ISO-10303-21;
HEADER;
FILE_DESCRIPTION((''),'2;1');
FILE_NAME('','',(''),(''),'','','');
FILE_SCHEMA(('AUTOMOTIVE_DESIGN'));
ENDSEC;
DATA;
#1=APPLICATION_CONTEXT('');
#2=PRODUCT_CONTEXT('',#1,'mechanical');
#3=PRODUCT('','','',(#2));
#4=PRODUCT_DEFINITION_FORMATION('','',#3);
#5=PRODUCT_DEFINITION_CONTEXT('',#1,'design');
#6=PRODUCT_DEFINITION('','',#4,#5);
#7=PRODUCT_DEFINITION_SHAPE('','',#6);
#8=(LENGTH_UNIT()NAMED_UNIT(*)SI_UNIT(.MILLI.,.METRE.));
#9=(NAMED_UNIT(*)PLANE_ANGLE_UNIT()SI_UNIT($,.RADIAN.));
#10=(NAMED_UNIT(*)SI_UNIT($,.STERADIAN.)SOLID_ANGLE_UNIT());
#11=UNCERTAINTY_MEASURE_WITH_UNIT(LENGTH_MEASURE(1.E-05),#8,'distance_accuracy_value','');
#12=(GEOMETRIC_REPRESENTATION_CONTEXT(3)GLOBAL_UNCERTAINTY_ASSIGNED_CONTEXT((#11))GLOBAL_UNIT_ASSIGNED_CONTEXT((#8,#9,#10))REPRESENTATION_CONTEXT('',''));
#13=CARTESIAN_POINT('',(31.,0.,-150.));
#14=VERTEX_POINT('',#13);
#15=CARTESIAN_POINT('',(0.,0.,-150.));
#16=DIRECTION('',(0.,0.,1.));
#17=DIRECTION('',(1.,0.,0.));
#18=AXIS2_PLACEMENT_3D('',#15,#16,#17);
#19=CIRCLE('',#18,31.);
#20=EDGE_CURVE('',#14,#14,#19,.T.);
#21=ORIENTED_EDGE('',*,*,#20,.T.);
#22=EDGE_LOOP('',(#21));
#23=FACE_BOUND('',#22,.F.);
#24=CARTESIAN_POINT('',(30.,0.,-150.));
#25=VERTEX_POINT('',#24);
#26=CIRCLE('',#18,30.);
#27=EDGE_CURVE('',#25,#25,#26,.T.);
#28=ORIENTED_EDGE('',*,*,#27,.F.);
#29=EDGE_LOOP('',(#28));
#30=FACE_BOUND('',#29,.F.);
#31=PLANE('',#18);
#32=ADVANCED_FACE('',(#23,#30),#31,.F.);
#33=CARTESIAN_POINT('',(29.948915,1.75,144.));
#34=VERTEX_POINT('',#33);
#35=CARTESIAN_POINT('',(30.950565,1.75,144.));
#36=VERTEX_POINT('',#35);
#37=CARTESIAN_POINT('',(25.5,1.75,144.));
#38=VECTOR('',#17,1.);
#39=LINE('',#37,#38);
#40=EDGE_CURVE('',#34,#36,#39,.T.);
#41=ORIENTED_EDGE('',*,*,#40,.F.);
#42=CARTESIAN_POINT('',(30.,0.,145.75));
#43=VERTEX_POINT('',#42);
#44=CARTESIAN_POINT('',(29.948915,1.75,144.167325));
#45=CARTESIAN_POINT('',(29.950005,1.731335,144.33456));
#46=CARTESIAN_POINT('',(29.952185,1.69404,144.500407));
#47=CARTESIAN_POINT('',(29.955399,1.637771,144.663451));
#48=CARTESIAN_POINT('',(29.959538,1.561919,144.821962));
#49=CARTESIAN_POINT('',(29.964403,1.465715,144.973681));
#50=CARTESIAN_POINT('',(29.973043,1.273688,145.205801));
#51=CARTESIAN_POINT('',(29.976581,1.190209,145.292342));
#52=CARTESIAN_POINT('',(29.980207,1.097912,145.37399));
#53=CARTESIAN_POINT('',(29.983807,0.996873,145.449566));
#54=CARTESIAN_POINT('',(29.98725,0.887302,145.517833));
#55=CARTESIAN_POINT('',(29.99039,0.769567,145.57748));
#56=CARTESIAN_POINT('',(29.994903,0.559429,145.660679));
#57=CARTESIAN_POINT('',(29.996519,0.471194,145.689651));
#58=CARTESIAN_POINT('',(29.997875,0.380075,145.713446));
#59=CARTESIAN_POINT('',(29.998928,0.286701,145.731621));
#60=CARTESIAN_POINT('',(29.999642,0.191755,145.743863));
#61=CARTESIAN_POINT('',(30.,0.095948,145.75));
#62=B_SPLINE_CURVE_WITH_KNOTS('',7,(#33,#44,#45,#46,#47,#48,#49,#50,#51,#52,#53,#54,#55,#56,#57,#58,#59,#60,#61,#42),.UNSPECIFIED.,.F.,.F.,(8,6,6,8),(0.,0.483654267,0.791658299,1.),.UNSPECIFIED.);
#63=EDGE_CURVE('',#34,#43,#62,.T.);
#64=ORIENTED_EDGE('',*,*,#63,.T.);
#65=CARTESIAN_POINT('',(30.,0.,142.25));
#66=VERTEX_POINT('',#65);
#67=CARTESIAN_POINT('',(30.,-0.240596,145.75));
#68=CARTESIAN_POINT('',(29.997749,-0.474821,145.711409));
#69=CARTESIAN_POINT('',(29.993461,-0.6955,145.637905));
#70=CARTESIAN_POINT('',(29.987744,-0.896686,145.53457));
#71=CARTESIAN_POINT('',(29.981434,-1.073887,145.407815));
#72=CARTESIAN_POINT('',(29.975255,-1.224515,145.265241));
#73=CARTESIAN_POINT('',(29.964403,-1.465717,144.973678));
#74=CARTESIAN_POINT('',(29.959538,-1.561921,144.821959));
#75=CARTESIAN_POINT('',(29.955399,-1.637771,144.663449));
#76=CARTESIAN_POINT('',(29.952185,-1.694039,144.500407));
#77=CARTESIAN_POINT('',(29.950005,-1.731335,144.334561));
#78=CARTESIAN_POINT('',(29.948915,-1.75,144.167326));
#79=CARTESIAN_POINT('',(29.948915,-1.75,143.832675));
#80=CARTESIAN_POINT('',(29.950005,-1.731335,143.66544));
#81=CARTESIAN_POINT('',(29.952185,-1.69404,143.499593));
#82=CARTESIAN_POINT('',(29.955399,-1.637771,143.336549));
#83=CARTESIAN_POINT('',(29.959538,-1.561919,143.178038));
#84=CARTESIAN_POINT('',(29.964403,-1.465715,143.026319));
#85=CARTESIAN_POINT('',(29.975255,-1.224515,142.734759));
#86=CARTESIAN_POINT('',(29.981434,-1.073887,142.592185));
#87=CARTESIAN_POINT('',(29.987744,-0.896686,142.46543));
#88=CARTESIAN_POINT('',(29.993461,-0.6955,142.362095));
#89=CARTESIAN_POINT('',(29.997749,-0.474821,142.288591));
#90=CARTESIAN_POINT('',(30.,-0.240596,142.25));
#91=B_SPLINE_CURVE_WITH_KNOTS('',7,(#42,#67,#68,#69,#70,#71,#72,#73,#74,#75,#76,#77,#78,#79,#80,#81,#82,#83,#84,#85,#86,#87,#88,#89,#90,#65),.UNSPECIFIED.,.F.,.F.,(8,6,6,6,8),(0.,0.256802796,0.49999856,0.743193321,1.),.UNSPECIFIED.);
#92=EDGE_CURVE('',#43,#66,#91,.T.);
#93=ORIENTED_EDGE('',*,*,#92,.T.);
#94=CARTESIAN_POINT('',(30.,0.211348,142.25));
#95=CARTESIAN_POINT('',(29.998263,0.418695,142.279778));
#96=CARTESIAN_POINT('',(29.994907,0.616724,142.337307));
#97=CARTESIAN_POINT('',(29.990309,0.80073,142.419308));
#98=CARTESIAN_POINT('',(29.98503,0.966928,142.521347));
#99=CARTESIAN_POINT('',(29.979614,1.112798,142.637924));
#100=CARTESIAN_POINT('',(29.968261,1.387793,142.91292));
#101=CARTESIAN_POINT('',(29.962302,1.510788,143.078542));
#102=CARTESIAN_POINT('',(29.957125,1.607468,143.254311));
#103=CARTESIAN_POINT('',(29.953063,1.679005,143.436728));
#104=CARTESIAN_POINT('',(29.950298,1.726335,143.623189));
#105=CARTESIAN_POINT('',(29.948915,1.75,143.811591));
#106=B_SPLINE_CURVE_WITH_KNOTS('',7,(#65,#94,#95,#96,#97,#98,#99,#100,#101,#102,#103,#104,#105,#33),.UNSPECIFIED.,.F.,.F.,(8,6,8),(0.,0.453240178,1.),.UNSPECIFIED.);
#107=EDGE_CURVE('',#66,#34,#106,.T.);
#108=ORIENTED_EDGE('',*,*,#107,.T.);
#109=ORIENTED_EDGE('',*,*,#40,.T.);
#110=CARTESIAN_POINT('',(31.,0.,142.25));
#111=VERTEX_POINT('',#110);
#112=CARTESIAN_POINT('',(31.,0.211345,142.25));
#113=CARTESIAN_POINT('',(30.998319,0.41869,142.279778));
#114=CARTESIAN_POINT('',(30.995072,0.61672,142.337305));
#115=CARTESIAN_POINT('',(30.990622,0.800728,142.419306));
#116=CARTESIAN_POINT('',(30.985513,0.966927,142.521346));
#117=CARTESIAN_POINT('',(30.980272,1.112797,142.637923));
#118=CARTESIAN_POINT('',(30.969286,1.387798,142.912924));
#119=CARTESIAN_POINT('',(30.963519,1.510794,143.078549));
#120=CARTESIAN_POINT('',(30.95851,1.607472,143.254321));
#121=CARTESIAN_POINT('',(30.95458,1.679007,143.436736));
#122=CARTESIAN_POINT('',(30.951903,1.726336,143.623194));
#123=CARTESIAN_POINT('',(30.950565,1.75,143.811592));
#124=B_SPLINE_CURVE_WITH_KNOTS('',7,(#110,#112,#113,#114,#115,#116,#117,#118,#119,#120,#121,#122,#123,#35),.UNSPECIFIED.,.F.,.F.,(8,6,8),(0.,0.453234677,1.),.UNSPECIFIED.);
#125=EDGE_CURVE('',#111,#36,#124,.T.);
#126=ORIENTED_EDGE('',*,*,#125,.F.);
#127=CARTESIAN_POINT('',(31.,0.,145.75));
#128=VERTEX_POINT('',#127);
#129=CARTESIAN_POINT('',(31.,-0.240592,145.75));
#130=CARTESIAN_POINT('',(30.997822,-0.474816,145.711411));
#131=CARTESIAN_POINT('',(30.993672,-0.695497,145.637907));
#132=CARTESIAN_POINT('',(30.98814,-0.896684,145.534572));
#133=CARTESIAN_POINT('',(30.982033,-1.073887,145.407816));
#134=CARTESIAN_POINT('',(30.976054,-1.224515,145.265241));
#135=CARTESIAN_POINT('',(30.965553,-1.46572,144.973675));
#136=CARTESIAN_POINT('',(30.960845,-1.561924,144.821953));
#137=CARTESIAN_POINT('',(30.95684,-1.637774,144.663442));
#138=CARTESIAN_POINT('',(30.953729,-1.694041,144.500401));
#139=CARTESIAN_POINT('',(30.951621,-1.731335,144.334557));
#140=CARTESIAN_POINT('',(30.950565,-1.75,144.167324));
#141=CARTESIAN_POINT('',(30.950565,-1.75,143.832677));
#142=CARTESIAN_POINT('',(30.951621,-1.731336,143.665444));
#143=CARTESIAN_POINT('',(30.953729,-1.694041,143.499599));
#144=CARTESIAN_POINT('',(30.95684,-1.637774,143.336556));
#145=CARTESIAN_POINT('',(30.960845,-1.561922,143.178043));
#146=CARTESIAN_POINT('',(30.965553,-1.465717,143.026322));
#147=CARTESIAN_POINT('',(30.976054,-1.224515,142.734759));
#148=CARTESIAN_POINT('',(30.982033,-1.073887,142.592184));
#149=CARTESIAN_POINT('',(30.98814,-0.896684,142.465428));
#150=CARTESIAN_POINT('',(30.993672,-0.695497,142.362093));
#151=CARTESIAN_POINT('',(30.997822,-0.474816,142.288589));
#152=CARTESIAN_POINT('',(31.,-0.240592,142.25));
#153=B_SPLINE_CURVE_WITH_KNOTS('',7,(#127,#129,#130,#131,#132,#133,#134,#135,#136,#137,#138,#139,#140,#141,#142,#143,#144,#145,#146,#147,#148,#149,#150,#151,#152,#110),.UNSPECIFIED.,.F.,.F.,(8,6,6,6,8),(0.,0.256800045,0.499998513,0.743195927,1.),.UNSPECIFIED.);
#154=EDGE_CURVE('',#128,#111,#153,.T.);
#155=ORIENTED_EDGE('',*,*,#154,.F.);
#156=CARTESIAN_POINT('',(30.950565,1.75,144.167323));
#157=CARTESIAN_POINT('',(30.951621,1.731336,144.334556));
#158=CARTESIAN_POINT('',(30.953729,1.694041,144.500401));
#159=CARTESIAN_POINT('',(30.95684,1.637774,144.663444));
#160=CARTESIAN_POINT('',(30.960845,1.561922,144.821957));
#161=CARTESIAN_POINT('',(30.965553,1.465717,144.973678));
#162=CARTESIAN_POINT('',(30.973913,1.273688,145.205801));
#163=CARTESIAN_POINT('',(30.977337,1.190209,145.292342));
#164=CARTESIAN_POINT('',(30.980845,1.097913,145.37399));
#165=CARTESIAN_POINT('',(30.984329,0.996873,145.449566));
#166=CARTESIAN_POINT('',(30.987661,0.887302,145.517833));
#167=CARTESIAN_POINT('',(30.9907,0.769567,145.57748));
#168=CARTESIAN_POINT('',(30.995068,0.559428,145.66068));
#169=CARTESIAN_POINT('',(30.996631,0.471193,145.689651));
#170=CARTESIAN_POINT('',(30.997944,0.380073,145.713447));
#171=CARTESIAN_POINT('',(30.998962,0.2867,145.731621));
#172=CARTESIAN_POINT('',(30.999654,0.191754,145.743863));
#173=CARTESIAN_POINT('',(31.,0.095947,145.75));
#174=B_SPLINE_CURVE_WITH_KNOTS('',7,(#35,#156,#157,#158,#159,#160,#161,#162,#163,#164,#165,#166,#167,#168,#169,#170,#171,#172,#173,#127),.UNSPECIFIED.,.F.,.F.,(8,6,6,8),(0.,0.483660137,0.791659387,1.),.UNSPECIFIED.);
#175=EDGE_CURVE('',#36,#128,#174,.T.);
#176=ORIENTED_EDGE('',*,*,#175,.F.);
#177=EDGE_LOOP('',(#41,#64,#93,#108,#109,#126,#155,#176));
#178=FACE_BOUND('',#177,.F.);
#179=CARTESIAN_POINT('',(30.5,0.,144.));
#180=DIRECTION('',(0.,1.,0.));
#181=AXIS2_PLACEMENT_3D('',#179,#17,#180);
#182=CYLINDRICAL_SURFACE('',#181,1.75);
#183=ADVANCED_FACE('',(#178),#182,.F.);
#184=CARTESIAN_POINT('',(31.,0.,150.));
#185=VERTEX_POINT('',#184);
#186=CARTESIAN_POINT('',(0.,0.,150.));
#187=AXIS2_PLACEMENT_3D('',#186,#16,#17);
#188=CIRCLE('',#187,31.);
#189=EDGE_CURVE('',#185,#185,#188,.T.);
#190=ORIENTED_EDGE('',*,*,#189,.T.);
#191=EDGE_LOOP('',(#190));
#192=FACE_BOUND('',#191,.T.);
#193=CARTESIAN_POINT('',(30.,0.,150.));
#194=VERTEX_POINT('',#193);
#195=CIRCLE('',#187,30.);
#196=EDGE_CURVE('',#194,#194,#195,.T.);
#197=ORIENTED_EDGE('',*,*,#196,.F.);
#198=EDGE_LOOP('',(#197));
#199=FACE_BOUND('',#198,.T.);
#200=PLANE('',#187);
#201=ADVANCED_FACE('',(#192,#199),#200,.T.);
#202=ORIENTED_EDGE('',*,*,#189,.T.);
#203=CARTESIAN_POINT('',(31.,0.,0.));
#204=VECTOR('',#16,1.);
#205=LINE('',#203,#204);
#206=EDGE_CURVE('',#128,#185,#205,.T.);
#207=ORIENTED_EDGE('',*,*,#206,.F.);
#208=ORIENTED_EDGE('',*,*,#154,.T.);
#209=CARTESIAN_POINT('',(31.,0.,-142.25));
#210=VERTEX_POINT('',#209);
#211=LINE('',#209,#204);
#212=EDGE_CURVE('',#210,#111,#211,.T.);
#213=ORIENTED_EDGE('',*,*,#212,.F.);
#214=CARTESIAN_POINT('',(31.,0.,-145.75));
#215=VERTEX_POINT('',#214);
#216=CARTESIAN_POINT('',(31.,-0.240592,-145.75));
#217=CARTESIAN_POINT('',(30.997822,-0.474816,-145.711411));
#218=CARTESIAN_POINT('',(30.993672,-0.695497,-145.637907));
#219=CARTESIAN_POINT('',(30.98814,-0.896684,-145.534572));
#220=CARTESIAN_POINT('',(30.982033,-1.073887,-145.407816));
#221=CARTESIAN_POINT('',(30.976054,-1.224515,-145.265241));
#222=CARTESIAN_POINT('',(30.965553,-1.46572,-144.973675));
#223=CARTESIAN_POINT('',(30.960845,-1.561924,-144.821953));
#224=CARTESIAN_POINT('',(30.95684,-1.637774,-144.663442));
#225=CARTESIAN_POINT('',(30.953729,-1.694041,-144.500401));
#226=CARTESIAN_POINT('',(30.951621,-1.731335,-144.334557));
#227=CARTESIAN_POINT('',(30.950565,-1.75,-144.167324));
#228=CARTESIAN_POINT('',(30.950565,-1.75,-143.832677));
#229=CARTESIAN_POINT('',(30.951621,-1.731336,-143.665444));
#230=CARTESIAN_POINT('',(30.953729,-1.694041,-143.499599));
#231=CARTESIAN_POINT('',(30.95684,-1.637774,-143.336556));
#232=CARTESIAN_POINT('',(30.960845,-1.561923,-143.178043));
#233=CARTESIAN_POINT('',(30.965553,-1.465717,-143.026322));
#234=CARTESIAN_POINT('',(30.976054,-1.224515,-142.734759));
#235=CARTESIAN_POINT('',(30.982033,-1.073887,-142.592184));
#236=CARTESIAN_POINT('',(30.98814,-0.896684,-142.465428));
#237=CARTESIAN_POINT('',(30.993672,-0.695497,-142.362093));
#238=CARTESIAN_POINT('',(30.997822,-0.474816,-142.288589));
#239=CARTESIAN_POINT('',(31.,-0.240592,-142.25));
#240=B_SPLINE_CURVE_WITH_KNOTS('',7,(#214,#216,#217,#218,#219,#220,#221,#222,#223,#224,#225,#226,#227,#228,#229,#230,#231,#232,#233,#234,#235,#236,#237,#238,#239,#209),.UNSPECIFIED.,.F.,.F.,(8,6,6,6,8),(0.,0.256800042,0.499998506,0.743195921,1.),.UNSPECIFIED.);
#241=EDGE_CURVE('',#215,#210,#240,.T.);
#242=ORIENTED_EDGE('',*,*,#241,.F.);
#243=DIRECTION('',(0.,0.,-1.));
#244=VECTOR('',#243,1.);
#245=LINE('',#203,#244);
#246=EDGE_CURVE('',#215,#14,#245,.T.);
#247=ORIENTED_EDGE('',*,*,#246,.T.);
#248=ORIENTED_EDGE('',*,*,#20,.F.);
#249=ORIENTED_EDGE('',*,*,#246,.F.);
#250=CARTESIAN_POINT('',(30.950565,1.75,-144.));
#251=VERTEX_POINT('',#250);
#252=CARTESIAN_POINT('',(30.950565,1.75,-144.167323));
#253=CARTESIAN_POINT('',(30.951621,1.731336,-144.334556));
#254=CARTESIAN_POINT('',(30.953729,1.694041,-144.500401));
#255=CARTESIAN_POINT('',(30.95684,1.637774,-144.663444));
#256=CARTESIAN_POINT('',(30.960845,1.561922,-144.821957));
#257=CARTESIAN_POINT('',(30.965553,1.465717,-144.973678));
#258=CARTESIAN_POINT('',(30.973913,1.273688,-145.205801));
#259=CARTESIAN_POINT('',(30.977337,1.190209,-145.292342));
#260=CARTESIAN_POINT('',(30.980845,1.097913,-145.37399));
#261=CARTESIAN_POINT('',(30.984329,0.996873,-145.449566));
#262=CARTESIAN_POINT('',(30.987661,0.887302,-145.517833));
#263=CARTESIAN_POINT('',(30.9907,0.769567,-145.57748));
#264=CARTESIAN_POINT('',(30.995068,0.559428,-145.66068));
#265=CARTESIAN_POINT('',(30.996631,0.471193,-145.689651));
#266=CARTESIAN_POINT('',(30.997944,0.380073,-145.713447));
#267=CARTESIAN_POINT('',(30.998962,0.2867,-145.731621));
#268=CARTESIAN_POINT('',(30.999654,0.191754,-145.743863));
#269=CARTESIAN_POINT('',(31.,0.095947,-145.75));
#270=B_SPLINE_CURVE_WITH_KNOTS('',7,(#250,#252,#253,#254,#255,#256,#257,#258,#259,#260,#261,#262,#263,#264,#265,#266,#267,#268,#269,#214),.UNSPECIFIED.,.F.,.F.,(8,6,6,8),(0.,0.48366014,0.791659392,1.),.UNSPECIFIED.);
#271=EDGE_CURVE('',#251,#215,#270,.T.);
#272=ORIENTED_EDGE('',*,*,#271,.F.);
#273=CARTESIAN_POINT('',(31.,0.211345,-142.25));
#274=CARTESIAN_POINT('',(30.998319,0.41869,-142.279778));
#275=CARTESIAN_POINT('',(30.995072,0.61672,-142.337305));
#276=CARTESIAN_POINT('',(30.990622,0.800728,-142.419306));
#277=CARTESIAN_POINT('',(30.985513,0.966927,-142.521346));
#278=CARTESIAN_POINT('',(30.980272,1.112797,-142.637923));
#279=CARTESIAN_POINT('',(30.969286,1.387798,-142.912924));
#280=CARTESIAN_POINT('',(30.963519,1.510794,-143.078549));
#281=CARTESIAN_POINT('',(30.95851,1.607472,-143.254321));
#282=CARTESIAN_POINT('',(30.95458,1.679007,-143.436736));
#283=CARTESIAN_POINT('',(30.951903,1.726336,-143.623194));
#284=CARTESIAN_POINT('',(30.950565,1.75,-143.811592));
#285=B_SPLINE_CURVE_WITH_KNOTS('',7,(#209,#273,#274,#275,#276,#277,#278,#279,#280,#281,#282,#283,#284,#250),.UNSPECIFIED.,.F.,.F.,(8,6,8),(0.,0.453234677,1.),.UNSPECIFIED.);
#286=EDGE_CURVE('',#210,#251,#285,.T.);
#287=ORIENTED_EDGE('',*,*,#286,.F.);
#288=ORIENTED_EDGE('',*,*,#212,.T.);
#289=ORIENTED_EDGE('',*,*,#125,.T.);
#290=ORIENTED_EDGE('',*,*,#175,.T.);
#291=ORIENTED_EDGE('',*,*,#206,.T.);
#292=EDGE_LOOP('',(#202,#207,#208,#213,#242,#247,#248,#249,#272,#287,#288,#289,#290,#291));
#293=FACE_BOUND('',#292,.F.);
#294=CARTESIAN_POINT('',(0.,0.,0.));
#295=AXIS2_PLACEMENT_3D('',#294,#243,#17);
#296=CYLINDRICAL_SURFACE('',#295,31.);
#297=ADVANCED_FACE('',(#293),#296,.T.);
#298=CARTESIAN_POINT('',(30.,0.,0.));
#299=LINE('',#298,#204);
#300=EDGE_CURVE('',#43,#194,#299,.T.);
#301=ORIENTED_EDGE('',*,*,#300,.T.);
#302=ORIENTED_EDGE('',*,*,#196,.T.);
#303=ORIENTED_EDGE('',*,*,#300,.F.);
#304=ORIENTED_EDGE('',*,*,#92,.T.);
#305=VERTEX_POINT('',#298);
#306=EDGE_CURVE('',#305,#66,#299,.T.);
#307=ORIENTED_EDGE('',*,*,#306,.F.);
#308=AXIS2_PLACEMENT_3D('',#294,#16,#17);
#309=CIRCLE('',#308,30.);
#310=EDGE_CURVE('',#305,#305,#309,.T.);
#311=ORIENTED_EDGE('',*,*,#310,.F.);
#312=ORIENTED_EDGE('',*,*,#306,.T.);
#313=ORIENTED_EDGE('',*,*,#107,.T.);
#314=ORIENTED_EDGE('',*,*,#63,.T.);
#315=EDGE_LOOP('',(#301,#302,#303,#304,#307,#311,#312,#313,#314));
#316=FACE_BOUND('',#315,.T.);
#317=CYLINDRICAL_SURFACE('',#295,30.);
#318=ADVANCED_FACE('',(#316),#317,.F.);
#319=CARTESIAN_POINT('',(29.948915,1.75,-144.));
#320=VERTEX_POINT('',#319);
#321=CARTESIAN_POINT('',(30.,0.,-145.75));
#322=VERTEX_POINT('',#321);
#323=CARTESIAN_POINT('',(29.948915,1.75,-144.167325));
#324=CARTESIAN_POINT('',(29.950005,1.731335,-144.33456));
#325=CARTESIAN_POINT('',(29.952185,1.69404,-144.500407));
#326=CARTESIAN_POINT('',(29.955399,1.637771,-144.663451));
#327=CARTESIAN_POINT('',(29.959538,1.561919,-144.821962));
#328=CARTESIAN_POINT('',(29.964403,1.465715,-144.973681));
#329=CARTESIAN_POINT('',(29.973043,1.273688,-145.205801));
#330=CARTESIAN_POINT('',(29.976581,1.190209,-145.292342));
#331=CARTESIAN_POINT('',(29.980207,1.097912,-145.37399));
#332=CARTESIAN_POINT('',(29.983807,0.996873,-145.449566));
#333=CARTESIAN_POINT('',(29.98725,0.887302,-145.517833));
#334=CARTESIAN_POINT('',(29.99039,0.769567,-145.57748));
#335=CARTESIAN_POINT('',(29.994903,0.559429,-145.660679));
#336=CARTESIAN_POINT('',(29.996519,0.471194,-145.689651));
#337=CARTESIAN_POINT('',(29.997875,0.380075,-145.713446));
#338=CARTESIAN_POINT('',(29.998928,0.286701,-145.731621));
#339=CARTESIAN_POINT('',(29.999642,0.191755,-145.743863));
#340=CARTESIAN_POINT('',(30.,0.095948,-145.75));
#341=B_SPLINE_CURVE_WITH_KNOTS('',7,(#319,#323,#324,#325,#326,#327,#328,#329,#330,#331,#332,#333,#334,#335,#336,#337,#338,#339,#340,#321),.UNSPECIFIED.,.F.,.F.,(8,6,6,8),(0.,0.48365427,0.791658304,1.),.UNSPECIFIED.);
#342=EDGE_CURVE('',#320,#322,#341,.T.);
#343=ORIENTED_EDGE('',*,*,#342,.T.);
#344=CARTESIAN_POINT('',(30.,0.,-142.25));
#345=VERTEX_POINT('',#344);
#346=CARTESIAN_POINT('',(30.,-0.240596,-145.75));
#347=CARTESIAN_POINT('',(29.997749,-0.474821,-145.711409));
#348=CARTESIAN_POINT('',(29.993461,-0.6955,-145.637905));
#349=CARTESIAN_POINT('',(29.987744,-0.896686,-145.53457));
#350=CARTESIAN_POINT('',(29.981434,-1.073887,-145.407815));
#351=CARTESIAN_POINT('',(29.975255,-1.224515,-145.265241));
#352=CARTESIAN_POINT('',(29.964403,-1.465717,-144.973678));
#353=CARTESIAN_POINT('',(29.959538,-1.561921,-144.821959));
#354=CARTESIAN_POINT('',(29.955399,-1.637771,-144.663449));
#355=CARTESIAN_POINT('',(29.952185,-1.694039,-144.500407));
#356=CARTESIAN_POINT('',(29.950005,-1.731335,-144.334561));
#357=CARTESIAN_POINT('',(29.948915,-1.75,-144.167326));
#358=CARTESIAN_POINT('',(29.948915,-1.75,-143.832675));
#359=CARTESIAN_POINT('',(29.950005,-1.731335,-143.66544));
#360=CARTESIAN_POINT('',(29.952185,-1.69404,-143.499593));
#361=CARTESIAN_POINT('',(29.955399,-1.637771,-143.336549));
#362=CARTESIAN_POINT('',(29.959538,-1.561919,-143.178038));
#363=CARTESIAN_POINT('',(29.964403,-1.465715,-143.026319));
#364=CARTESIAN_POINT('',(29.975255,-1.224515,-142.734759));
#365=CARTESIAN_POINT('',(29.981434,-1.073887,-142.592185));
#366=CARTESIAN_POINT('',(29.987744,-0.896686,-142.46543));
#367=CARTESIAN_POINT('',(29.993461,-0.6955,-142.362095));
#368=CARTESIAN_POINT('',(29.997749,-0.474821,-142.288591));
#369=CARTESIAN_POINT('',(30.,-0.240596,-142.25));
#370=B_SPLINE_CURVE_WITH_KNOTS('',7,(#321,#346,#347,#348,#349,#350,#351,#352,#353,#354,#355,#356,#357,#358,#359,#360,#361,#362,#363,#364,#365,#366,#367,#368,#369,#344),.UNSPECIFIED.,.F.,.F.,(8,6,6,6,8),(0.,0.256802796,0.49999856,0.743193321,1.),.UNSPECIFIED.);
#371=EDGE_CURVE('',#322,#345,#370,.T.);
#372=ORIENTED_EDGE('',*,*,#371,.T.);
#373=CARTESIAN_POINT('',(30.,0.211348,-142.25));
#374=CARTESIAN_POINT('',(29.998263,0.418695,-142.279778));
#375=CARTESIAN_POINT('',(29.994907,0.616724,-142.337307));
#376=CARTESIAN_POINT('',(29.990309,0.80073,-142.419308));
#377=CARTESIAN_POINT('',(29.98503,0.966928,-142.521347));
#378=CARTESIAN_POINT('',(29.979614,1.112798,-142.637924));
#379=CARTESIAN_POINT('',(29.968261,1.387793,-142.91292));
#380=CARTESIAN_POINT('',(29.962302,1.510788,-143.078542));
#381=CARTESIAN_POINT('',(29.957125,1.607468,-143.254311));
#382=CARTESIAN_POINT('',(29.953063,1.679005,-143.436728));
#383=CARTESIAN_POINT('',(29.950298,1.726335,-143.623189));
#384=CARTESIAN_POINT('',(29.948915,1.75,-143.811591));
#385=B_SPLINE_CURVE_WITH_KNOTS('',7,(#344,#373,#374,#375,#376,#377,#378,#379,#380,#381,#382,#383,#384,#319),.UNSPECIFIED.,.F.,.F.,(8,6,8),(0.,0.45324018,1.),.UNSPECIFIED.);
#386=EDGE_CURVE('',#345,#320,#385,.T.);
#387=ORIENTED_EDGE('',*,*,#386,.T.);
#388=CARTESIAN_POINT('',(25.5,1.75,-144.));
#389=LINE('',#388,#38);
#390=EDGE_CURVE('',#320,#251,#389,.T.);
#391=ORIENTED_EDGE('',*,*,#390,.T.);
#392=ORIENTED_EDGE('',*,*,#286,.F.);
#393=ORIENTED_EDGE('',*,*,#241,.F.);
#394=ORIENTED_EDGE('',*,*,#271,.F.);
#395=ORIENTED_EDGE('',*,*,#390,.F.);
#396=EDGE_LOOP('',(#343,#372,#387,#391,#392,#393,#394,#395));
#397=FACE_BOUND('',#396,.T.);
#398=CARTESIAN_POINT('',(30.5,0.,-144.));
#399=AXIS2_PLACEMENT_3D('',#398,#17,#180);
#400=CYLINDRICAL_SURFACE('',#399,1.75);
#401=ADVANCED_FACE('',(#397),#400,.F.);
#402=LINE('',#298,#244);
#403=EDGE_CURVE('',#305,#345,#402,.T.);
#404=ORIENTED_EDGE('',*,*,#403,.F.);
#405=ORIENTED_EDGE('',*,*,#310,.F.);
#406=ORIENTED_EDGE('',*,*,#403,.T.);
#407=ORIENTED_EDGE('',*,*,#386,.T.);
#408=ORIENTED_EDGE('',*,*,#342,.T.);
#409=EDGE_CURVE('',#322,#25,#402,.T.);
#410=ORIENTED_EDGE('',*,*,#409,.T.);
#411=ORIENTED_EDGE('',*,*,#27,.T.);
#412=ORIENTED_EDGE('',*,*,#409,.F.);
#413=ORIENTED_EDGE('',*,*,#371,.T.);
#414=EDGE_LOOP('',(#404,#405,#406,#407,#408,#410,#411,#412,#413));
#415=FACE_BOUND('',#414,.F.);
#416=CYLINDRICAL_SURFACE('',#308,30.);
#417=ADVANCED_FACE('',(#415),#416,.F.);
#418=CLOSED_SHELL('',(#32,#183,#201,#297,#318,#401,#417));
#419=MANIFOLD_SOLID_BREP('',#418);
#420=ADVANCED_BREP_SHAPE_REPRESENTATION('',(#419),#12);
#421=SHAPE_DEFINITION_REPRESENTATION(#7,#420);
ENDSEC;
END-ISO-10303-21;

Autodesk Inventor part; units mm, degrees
ref_plane "XZ Plane" through (0, 0, 0) normal (0, 1, 0) x (-1, 0, 0)
ref_plane "XY Plane" through (0, 0, 0) normal (0, 0, 1) x (1, 0, 0)
sketch "Skizze1" plane through (0, 0, 0) normal (0, 0, 1) x (1, 0, 0)
  circle A0 centre (0, 0) radius 31
  circle A1 centre (0, 0) radius 30
  dimension "d0" = 62
  dimension "d1" = 60
extrude "Extrusion1" add sketch "Skizze1" along normal mid plane 300
ref_plane "Arbeitsebene1" through (30.5, 0, 0) normal (1, 0, 0) x (0, 1, 0)
sketch "Skizze2" plane through (30.5, 0, 0) normal (1, 0, 0) x (0, 1, 0)
  circle A0 centre (0, 144) radius 1.75
  line L0 (31, 150) -> (-31, 150) projected
  point P0 (0, 0)
  dimension "d5" = 3.5
  dimension "d6" = 6
extrude "Extrusion2" cut sketch "Skizze2" against normal mid plane 10
mirror "Spiegeln1" about plane through (0, 0, 0) normal (0, 0, 1) of "Extrusion2"
properties part number "Segment_elektro"
